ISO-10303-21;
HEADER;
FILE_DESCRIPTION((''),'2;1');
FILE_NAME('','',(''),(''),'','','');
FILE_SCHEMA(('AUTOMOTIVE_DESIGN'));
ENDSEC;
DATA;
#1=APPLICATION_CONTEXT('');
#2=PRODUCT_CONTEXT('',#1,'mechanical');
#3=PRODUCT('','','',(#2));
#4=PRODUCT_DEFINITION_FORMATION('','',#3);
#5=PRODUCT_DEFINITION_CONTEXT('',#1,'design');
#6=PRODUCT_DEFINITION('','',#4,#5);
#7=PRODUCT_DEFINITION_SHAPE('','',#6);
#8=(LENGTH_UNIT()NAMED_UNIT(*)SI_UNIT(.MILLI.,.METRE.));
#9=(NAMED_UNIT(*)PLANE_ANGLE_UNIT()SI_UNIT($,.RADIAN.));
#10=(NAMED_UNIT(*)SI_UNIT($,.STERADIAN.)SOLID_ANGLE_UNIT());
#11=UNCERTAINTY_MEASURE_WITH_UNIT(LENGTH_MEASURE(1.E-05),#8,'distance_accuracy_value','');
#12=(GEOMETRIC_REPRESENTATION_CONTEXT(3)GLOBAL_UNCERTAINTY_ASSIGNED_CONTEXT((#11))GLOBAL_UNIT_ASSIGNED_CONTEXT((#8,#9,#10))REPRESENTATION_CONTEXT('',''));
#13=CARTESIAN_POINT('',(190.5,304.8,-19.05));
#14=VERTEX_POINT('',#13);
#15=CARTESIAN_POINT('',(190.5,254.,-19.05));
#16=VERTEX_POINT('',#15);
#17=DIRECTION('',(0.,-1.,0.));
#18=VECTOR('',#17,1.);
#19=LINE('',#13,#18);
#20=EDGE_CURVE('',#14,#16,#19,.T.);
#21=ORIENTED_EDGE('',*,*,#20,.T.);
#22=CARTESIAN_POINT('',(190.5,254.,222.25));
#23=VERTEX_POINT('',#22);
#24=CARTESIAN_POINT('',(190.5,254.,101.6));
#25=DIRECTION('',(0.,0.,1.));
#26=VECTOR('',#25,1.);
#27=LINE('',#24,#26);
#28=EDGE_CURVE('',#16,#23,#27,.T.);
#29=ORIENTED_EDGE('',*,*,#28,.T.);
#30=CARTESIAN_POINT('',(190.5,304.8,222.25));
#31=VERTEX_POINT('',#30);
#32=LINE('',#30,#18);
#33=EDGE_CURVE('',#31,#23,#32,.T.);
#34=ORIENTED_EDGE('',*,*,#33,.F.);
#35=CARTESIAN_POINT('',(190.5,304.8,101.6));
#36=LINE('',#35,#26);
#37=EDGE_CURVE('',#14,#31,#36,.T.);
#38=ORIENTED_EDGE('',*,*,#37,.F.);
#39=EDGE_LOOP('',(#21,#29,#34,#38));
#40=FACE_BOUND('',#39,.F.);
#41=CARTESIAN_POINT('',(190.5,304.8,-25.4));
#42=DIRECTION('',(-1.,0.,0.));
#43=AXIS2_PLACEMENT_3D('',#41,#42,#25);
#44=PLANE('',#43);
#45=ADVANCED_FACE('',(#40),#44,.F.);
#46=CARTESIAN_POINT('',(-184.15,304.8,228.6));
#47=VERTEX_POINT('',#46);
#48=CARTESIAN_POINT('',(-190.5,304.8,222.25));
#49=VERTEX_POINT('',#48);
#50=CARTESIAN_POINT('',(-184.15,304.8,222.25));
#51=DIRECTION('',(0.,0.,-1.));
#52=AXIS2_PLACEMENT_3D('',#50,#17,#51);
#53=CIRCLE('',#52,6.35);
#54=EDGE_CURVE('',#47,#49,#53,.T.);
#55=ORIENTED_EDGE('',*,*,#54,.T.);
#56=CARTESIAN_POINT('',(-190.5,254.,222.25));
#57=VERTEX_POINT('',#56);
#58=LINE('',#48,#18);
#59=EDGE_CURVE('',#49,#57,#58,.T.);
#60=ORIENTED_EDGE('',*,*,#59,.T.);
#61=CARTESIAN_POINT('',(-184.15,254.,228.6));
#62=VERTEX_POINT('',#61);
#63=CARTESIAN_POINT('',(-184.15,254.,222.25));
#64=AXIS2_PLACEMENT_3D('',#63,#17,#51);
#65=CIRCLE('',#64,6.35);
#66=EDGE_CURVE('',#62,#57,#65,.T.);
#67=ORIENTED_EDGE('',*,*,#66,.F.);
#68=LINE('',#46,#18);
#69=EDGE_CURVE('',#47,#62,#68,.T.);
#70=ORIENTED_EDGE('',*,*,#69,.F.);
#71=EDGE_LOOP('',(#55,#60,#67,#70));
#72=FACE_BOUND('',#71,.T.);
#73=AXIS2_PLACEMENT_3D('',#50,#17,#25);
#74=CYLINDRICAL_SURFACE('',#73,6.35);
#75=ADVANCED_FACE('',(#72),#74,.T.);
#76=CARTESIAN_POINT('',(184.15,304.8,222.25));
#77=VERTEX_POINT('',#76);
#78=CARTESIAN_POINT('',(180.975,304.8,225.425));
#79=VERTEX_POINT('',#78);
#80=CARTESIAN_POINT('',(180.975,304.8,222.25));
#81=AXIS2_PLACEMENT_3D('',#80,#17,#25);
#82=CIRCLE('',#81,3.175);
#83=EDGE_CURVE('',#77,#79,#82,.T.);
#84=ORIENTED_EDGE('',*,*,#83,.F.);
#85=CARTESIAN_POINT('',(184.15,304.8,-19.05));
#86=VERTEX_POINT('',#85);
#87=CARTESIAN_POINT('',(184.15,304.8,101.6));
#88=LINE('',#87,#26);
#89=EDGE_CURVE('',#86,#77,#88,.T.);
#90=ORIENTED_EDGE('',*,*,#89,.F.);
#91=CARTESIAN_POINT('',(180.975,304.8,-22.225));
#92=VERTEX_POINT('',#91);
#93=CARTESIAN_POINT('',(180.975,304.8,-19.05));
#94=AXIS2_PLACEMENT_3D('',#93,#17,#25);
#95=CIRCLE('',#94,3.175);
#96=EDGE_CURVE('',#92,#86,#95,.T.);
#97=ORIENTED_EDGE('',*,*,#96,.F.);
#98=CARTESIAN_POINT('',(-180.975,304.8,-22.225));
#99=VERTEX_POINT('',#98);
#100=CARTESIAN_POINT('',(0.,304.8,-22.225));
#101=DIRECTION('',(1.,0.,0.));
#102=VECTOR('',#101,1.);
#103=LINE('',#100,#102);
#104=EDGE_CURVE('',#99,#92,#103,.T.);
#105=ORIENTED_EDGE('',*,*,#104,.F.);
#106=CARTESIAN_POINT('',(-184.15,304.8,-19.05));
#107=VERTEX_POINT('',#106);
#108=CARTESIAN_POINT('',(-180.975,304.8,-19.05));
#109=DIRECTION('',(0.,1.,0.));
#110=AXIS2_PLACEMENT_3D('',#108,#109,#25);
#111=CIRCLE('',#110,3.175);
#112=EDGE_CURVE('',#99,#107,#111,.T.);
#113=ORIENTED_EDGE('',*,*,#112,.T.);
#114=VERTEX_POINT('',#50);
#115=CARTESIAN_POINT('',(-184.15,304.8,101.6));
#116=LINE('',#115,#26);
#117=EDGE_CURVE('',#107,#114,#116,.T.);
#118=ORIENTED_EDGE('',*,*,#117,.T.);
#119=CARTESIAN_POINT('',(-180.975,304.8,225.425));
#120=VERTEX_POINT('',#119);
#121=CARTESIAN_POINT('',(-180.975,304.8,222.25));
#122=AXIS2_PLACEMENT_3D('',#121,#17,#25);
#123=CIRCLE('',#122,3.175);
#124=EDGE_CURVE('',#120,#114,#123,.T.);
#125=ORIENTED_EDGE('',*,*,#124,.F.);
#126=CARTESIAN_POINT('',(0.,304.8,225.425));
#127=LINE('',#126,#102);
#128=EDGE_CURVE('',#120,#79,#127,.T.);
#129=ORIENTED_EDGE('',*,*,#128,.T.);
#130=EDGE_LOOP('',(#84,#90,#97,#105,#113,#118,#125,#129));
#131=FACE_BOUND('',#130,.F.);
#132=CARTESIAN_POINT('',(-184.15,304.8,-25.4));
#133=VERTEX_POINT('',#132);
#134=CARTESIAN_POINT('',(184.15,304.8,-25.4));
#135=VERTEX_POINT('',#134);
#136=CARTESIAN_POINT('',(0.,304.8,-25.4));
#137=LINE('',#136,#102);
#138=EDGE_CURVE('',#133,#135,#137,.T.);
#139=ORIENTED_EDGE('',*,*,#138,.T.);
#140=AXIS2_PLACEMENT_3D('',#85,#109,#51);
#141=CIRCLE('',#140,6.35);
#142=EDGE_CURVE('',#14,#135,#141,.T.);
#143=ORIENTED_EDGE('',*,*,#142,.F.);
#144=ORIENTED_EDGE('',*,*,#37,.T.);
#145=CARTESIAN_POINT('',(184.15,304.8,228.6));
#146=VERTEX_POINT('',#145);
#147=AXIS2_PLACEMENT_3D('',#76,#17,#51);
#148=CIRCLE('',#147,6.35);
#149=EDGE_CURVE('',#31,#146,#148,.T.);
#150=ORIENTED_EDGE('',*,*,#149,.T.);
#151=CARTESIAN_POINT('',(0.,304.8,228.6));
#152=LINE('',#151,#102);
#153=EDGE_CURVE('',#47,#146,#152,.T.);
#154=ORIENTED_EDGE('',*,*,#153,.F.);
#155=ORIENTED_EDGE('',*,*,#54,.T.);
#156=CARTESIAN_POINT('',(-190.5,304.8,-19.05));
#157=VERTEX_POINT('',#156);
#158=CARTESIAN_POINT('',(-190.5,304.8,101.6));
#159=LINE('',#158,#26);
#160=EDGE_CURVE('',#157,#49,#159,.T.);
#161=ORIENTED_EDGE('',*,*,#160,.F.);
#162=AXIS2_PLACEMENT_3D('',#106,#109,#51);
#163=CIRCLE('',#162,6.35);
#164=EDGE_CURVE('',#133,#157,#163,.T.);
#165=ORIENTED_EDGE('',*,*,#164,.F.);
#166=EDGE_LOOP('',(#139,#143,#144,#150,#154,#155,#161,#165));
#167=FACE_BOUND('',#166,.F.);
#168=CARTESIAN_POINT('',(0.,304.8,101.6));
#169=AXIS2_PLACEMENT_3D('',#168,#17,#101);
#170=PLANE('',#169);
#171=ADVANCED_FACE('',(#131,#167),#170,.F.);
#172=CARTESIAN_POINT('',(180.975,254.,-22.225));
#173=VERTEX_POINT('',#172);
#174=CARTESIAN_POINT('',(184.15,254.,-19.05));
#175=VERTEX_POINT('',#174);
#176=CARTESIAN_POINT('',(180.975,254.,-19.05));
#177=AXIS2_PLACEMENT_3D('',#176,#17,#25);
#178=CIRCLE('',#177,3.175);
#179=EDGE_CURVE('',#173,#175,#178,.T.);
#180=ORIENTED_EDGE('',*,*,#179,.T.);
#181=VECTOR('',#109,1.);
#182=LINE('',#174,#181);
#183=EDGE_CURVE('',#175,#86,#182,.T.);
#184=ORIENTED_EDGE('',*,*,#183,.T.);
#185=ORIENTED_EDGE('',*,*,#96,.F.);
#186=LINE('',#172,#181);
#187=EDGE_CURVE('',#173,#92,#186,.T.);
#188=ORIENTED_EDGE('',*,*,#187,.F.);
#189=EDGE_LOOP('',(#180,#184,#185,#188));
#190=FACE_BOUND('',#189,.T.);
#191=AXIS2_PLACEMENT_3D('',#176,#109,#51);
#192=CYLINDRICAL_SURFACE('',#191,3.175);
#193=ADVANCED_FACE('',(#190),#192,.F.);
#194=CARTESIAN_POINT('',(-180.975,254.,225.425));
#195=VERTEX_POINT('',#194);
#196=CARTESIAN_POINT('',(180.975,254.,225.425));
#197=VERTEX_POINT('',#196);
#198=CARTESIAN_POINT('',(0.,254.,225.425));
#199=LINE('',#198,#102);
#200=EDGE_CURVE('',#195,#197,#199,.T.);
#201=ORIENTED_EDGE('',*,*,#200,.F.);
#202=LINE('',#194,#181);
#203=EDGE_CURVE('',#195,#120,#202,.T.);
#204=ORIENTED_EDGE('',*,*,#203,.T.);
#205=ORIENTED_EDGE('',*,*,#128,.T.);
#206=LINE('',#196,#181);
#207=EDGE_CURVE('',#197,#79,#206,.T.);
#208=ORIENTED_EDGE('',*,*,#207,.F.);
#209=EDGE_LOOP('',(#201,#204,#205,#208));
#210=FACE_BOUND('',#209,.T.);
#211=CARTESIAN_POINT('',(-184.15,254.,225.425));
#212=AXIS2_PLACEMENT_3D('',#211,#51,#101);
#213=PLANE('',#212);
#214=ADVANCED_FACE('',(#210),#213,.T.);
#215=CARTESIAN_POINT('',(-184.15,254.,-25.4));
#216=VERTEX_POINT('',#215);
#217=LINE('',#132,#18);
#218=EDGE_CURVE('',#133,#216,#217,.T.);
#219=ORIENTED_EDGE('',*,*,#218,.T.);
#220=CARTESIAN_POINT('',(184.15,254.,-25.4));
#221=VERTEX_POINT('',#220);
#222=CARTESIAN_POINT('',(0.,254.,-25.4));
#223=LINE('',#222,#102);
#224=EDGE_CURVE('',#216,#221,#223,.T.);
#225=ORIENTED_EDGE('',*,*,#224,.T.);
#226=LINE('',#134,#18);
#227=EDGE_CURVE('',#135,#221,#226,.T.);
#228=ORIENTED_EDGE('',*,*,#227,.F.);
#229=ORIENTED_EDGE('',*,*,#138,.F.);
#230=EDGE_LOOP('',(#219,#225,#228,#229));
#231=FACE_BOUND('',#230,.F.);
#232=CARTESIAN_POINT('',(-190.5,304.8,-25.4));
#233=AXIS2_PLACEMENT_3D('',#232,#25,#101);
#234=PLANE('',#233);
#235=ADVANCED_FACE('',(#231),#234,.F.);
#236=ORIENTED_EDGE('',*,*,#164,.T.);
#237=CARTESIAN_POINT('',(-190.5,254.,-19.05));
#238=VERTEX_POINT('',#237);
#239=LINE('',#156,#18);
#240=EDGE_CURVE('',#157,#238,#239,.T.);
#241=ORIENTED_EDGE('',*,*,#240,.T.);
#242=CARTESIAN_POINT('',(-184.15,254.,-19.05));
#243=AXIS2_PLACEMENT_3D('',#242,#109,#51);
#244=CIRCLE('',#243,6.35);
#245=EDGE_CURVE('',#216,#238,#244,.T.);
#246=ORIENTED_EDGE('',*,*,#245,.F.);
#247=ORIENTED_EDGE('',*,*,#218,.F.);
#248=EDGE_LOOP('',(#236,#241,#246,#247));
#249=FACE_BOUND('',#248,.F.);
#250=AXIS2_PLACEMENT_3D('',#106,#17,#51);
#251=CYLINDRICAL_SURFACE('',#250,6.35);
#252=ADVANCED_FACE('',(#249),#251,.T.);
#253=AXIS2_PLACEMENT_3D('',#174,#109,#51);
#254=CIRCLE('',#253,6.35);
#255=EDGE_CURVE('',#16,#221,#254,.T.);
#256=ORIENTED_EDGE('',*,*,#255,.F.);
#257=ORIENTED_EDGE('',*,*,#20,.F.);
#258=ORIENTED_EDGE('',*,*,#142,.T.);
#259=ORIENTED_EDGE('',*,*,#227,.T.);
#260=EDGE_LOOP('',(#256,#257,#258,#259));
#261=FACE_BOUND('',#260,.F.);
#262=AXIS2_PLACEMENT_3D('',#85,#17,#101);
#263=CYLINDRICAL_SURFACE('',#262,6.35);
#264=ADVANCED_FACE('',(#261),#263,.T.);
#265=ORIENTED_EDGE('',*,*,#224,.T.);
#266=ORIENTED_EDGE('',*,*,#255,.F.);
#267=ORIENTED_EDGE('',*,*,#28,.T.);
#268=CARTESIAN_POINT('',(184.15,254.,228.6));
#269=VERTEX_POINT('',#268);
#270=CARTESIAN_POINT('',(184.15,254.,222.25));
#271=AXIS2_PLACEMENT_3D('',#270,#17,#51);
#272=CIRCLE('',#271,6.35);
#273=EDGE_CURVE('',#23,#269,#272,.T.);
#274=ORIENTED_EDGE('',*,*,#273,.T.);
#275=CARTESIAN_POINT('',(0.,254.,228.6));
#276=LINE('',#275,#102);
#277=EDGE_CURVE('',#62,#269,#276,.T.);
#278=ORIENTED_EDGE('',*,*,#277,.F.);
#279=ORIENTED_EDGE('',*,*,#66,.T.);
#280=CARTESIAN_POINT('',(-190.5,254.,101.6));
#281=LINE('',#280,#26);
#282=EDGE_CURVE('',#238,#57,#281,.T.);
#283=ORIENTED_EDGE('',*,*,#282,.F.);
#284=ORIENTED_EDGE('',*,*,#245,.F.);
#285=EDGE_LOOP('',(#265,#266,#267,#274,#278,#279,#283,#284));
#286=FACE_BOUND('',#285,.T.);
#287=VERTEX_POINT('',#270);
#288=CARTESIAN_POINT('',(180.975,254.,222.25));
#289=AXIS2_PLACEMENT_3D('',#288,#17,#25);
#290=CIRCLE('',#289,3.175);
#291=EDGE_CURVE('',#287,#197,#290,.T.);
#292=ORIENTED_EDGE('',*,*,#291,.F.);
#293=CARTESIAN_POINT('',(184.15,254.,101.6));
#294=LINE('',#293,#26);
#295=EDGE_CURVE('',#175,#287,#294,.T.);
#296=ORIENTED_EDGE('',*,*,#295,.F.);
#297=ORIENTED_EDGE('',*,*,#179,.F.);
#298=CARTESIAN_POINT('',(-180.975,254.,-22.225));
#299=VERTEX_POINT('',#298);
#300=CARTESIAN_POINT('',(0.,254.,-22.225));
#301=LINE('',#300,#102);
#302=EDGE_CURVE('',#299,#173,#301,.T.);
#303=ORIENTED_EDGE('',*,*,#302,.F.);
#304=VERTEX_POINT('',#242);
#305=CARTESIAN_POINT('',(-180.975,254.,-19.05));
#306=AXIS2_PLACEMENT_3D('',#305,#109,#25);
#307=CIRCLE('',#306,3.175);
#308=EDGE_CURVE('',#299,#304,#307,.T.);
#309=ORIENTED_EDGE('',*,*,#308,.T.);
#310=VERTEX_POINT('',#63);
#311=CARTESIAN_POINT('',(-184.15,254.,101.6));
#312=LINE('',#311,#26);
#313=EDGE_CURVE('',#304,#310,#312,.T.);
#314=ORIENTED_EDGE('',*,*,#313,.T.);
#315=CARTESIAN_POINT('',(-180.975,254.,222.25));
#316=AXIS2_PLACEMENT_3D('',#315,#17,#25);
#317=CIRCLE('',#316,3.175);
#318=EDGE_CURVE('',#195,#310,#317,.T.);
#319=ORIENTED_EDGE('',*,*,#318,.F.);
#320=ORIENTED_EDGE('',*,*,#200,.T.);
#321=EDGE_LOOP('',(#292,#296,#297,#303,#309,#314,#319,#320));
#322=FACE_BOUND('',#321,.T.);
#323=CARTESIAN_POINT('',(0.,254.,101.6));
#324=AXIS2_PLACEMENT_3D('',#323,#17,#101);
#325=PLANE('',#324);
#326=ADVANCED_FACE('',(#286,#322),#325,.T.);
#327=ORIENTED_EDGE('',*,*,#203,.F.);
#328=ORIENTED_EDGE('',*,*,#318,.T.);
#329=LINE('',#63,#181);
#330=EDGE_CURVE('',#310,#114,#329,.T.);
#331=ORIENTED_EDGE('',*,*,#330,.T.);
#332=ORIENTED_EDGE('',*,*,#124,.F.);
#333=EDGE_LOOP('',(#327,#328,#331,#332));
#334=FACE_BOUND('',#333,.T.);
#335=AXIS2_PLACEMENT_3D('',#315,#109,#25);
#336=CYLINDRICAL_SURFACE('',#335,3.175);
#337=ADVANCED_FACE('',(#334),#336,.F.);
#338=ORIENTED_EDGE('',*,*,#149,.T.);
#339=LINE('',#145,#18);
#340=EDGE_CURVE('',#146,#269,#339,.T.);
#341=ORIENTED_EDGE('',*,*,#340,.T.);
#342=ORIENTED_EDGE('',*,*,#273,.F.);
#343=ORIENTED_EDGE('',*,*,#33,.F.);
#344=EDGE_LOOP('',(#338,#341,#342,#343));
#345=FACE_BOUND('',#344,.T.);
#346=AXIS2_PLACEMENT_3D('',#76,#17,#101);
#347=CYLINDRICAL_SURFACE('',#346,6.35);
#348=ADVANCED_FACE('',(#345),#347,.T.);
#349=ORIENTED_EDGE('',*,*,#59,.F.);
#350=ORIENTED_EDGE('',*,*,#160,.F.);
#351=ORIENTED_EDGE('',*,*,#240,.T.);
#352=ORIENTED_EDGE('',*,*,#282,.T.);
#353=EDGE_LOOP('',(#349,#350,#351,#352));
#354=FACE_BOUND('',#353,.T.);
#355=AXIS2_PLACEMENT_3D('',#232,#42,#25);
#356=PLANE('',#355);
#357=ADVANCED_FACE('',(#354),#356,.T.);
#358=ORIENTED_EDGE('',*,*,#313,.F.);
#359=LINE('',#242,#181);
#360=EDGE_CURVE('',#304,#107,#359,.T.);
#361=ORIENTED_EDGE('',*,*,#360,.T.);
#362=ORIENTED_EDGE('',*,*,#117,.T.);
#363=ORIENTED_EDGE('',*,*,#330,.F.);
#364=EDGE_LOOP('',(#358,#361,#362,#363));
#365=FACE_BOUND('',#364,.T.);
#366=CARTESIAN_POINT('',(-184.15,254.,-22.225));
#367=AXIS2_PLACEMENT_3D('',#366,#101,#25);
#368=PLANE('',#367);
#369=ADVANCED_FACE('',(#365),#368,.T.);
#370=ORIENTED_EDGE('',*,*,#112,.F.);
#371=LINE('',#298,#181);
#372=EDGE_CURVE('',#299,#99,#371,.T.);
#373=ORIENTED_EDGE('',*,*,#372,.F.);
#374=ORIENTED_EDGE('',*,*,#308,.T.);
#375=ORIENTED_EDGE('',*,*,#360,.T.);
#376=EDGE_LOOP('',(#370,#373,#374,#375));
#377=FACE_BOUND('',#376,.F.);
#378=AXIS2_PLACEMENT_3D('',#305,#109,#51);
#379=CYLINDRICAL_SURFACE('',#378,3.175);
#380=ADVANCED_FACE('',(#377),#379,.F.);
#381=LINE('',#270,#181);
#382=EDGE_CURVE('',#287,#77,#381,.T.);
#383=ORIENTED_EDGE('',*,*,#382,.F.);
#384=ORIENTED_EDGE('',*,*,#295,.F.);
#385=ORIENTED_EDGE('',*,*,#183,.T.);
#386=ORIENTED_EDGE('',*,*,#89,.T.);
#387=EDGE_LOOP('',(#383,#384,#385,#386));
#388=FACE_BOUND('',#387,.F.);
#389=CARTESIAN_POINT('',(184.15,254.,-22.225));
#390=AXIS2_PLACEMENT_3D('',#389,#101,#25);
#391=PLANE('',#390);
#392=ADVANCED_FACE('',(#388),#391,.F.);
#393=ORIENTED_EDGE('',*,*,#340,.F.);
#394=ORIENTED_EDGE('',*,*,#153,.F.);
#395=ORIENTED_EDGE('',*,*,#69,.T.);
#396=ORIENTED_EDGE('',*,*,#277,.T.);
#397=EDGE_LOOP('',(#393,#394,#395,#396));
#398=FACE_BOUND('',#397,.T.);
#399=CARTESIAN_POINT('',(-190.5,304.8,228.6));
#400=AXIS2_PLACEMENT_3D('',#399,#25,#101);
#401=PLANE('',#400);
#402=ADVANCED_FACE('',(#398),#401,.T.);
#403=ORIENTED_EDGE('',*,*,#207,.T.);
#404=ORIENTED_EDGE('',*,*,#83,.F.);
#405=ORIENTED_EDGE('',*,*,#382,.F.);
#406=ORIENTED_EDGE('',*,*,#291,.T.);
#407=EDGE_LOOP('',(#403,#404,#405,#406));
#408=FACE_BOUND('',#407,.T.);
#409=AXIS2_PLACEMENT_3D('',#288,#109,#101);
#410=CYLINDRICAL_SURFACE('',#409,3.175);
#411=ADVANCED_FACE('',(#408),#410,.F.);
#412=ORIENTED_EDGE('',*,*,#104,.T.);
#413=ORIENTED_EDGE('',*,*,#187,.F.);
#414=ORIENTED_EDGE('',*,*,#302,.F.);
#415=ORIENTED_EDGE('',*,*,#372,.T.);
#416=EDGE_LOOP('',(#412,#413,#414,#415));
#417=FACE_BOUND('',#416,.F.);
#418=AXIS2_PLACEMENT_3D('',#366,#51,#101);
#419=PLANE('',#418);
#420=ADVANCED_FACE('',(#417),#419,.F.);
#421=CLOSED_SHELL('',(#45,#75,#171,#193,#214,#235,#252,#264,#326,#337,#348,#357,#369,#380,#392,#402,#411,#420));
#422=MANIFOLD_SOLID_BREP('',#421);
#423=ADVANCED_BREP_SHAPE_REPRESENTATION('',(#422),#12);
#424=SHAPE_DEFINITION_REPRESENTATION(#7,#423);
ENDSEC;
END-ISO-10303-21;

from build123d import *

# Parameters (mm, degrees)
F0_W     = 381
F0_H     = 254
F1_DEPTH = 50.8
F2_R     = 6.35
F3_R     = 6.35
F5_W     = 368.3
F5_H     = 247.65
F6_DEPTH = 50.8
F7_R     = 3.175


with BuildPart() as f1:
    # F0 (on Front) → F1 (new body)
    with BuildSketch(Plane.XZ):
        Rectangle(F0_W, F0_H)
    extrude(amount=F1_DEPTH)

    # F2
    f2_edges = [f1.edges().sort_by_distance(p)[0] for p in [
        (190.5, -25.4, 127),
    ]]
    fillet(f2_edges, radius=F2_R)

    # F3
    f3_edges = [f1.edges().sort_by_distance(p)[0] for p in [
        (190.5, -25.4, -127),
        (-190.5, -25.4, 127),
        (-190.5, -25.4, -127),
    ]]
    fillet(f3_edges, radius=F3_R)


with BuildPart() as f1_1:
    # F4: moved
    add(f1.part.moved(Location((0, 50.8, 0))))

    # F5 (on Front) → F6 (cut)
    with BuildSketch(Plane.XZ):
        Rectangle(F5_W, F5_H)
    extrude(amount=-F6_DEPTH, mode=Mode.SUBTRACT)

    # F7
    f7_edges = [f1_1.edges().sort_by_distance(p)[0] for p in [
        (184.15, 25.4, -123.825),
        (184.15, 25.4, 123.825),
        (-184.15, 25.4, 123.825),
        (-184.15, 25.4, -123.825),
    ]]
    fillet(f7_edges, radius=F7_R)


with BuildPart() as f1_2:
    # F8: moved
    add(f1_1.part.moved(Location((0, 50.8, 0))))


with BuildPart() as f1_3:
    # F9: moved
    add(f1_2.part.moved(Location((0, 0, -101.6))))


with BuildPart() as f1_4:
    # F10: moved
    add(f1_3.part.moved(Location((0, 203.2, 0))))


with BuildPart() as f1_5:
    # F11: moved
    add(f1_4.part.moved(Location((0, 0, 203.2))))


solid = f1_5.part
